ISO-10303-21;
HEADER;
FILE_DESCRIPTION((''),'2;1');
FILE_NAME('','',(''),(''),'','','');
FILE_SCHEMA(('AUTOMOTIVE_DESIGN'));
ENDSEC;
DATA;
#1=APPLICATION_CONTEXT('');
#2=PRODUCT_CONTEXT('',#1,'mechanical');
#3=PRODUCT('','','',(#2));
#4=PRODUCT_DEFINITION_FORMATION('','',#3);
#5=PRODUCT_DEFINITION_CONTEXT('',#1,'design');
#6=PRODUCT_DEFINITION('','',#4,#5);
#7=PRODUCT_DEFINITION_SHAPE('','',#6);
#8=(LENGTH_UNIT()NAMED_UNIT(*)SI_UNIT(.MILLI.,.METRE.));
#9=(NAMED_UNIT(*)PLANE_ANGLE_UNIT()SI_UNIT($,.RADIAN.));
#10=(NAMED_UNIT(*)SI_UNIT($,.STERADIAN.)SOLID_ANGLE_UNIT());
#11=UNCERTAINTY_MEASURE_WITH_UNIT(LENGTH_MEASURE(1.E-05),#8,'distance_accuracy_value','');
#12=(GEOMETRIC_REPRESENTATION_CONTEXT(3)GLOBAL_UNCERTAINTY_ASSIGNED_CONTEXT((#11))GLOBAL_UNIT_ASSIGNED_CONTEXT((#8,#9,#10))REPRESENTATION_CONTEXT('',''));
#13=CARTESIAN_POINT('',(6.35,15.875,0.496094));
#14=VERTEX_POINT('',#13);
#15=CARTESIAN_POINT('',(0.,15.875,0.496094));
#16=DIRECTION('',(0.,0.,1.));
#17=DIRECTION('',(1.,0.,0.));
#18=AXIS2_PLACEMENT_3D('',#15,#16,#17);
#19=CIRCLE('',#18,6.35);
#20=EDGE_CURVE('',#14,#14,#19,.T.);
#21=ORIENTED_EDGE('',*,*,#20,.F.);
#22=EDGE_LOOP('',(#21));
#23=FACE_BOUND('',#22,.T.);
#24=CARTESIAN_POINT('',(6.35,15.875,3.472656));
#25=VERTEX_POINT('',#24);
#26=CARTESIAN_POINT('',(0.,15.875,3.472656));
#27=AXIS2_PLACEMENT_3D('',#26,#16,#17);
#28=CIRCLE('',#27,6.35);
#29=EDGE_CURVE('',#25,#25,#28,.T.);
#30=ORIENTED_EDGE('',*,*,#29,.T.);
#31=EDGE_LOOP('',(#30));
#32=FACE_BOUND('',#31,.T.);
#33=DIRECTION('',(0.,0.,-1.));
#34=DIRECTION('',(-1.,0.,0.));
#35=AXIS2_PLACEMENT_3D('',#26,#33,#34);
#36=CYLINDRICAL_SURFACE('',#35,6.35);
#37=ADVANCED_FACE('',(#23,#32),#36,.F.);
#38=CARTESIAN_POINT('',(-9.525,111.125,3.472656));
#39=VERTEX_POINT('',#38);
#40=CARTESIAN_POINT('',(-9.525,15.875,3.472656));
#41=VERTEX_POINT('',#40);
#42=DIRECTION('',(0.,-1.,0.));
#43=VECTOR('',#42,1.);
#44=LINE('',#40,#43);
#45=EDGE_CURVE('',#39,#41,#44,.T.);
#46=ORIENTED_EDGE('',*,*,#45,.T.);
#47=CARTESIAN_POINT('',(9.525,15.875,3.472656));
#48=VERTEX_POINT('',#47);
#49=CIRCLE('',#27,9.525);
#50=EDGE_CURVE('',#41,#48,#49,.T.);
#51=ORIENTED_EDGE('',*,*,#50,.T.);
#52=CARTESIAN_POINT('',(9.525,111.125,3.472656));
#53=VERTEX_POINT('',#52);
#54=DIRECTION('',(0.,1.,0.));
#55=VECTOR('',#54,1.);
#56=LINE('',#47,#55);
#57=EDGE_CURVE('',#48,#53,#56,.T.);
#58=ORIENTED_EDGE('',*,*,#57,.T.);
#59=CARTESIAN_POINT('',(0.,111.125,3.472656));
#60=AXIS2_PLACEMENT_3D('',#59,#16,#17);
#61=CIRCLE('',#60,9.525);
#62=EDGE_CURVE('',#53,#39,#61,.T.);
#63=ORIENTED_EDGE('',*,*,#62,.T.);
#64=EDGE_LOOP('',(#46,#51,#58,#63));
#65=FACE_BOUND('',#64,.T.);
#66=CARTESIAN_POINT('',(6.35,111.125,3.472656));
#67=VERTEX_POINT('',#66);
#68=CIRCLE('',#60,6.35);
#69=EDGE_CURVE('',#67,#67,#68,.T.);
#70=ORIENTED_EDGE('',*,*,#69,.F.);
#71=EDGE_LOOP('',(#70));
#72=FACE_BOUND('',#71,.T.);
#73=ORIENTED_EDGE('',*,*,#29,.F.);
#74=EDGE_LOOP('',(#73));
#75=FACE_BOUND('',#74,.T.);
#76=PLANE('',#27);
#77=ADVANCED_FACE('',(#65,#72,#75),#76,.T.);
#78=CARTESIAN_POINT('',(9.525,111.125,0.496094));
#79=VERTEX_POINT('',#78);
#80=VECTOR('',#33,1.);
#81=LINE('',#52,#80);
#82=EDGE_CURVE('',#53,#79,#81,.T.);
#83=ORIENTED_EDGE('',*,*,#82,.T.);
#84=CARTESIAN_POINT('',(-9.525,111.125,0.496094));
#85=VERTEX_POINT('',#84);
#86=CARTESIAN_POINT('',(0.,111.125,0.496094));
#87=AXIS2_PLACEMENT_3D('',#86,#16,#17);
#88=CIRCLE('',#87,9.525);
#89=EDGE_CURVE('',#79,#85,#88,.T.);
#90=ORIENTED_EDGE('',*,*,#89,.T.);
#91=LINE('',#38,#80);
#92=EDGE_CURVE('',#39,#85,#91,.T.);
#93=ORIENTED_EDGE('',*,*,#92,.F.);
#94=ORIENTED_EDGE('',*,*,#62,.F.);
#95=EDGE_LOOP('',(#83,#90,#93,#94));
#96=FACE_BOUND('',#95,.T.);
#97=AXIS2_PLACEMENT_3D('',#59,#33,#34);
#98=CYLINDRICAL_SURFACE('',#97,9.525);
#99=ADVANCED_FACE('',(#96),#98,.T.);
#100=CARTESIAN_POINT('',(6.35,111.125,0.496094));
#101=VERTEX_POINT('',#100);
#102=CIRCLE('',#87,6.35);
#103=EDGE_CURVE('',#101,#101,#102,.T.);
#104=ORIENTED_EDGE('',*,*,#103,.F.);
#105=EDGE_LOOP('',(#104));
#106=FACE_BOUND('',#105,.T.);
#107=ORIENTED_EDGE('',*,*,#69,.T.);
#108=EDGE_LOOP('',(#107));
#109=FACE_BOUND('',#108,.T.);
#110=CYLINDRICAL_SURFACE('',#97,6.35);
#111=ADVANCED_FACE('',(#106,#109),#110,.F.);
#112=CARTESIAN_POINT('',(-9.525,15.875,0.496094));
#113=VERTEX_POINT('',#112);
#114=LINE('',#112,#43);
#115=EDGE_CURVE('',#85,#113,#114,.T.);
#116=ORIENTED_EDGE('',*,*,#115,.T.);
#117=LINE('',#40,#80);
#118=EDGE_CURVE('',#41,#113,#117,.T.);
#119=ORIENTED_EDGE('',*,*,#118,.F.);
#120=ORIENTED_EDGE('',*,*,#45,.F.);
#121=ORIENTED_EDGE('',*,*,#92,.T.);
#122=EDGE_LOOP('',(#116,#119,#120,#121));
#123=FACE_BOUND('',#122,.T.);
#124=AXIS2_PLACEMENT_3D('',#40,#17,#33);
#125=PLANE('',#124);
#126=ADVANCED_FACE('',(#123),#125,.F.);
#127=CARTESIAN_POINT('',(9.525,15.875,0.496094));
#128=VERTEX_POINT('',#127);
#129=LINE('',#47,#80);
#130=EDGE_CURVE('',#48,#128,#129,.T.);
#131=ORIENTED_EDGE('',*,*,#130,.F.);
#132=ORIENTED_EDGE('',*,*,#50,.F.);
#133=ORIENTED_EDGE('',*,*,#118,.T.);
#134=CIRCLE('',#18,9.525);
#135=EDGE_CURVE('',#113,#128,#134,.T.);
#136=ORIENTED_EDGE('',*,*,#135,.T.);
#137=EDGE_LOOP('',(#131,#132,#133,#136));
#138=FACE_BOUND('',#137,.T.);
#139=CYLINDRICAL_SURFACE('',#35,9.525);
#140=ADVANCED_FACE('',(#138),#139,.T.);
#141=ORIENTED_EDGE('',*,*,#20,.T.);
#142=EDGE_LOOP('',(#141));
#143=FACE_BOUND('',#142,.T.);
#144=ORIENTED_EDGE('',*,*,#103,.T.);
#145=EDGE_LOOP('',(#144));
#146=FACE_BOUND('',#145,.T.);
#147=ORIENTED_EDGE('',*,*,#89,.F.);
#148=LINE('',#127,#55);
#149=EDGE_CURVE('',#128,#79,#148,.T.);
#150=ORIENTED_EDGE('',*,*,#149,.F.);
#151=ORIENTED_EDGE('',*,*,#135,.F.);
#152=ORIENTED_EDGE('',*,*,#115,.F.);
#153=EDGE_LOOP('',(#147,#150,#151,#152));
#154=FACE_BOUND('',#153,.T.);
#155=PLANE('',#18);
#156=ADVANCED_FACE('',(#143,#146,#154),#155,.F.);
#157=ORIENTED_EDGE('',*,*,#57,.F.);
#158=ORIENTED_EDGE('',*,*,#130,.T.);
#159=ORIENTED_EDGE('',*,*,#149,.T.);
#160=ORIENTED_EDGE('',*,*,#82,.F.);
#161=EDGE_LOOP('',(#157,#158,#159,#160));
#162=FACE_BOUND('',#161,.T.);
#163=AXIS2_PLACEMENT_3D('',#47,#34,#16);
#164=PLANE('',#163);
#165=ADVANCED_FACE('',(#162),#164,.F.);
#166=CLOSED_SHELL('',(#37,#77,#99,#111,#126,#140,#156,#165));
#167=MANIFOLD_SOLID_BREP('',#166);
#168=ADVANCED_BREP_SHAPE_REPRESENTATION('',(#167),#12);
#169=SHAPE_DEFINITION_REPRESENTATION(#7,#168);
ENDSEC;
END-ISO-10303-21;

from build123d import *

# Parameters (mm, degrees)
SKETCH1_R           = 8.466666667
BOSS_EXTRUDE1_DEPTH = 3.96875
SCALE1_SCALE        = 0.75


with BuildPart() as part:
    # Sketch1 → Boss-Extrude1 (new body)
    with BuildSketch(Plane.XY):
        with BuildLine():
            Line((-12.7, 0), (-12.7, 127))
            ThreePointArc((-12.7, 127), (0, 139.7), (12.7, 127))
            Line((12.7, 127), (12.7, 0))
            ThreePointArc((12.7, 0), (0, -12.7), (-12.7, 0))
        make_face()
        Circle(SKETCH1_R, mode=Mode.SUBTRACT)
        with Locations((0, 127)):
            Circle(SKETCH1_R, mode=Mode.SUBTRACT)
    extrude(amount=BOSS_EXTRUDE1_DEPTH)


with BuildPart() as part_1:
    # Scale1: scaled about (0, 63.5, 1.984375)
    add(part.part.scale(SCALE1_SCALE).moved(Location((0, 15.875, 0.49609375))))


solid = part_1.part
